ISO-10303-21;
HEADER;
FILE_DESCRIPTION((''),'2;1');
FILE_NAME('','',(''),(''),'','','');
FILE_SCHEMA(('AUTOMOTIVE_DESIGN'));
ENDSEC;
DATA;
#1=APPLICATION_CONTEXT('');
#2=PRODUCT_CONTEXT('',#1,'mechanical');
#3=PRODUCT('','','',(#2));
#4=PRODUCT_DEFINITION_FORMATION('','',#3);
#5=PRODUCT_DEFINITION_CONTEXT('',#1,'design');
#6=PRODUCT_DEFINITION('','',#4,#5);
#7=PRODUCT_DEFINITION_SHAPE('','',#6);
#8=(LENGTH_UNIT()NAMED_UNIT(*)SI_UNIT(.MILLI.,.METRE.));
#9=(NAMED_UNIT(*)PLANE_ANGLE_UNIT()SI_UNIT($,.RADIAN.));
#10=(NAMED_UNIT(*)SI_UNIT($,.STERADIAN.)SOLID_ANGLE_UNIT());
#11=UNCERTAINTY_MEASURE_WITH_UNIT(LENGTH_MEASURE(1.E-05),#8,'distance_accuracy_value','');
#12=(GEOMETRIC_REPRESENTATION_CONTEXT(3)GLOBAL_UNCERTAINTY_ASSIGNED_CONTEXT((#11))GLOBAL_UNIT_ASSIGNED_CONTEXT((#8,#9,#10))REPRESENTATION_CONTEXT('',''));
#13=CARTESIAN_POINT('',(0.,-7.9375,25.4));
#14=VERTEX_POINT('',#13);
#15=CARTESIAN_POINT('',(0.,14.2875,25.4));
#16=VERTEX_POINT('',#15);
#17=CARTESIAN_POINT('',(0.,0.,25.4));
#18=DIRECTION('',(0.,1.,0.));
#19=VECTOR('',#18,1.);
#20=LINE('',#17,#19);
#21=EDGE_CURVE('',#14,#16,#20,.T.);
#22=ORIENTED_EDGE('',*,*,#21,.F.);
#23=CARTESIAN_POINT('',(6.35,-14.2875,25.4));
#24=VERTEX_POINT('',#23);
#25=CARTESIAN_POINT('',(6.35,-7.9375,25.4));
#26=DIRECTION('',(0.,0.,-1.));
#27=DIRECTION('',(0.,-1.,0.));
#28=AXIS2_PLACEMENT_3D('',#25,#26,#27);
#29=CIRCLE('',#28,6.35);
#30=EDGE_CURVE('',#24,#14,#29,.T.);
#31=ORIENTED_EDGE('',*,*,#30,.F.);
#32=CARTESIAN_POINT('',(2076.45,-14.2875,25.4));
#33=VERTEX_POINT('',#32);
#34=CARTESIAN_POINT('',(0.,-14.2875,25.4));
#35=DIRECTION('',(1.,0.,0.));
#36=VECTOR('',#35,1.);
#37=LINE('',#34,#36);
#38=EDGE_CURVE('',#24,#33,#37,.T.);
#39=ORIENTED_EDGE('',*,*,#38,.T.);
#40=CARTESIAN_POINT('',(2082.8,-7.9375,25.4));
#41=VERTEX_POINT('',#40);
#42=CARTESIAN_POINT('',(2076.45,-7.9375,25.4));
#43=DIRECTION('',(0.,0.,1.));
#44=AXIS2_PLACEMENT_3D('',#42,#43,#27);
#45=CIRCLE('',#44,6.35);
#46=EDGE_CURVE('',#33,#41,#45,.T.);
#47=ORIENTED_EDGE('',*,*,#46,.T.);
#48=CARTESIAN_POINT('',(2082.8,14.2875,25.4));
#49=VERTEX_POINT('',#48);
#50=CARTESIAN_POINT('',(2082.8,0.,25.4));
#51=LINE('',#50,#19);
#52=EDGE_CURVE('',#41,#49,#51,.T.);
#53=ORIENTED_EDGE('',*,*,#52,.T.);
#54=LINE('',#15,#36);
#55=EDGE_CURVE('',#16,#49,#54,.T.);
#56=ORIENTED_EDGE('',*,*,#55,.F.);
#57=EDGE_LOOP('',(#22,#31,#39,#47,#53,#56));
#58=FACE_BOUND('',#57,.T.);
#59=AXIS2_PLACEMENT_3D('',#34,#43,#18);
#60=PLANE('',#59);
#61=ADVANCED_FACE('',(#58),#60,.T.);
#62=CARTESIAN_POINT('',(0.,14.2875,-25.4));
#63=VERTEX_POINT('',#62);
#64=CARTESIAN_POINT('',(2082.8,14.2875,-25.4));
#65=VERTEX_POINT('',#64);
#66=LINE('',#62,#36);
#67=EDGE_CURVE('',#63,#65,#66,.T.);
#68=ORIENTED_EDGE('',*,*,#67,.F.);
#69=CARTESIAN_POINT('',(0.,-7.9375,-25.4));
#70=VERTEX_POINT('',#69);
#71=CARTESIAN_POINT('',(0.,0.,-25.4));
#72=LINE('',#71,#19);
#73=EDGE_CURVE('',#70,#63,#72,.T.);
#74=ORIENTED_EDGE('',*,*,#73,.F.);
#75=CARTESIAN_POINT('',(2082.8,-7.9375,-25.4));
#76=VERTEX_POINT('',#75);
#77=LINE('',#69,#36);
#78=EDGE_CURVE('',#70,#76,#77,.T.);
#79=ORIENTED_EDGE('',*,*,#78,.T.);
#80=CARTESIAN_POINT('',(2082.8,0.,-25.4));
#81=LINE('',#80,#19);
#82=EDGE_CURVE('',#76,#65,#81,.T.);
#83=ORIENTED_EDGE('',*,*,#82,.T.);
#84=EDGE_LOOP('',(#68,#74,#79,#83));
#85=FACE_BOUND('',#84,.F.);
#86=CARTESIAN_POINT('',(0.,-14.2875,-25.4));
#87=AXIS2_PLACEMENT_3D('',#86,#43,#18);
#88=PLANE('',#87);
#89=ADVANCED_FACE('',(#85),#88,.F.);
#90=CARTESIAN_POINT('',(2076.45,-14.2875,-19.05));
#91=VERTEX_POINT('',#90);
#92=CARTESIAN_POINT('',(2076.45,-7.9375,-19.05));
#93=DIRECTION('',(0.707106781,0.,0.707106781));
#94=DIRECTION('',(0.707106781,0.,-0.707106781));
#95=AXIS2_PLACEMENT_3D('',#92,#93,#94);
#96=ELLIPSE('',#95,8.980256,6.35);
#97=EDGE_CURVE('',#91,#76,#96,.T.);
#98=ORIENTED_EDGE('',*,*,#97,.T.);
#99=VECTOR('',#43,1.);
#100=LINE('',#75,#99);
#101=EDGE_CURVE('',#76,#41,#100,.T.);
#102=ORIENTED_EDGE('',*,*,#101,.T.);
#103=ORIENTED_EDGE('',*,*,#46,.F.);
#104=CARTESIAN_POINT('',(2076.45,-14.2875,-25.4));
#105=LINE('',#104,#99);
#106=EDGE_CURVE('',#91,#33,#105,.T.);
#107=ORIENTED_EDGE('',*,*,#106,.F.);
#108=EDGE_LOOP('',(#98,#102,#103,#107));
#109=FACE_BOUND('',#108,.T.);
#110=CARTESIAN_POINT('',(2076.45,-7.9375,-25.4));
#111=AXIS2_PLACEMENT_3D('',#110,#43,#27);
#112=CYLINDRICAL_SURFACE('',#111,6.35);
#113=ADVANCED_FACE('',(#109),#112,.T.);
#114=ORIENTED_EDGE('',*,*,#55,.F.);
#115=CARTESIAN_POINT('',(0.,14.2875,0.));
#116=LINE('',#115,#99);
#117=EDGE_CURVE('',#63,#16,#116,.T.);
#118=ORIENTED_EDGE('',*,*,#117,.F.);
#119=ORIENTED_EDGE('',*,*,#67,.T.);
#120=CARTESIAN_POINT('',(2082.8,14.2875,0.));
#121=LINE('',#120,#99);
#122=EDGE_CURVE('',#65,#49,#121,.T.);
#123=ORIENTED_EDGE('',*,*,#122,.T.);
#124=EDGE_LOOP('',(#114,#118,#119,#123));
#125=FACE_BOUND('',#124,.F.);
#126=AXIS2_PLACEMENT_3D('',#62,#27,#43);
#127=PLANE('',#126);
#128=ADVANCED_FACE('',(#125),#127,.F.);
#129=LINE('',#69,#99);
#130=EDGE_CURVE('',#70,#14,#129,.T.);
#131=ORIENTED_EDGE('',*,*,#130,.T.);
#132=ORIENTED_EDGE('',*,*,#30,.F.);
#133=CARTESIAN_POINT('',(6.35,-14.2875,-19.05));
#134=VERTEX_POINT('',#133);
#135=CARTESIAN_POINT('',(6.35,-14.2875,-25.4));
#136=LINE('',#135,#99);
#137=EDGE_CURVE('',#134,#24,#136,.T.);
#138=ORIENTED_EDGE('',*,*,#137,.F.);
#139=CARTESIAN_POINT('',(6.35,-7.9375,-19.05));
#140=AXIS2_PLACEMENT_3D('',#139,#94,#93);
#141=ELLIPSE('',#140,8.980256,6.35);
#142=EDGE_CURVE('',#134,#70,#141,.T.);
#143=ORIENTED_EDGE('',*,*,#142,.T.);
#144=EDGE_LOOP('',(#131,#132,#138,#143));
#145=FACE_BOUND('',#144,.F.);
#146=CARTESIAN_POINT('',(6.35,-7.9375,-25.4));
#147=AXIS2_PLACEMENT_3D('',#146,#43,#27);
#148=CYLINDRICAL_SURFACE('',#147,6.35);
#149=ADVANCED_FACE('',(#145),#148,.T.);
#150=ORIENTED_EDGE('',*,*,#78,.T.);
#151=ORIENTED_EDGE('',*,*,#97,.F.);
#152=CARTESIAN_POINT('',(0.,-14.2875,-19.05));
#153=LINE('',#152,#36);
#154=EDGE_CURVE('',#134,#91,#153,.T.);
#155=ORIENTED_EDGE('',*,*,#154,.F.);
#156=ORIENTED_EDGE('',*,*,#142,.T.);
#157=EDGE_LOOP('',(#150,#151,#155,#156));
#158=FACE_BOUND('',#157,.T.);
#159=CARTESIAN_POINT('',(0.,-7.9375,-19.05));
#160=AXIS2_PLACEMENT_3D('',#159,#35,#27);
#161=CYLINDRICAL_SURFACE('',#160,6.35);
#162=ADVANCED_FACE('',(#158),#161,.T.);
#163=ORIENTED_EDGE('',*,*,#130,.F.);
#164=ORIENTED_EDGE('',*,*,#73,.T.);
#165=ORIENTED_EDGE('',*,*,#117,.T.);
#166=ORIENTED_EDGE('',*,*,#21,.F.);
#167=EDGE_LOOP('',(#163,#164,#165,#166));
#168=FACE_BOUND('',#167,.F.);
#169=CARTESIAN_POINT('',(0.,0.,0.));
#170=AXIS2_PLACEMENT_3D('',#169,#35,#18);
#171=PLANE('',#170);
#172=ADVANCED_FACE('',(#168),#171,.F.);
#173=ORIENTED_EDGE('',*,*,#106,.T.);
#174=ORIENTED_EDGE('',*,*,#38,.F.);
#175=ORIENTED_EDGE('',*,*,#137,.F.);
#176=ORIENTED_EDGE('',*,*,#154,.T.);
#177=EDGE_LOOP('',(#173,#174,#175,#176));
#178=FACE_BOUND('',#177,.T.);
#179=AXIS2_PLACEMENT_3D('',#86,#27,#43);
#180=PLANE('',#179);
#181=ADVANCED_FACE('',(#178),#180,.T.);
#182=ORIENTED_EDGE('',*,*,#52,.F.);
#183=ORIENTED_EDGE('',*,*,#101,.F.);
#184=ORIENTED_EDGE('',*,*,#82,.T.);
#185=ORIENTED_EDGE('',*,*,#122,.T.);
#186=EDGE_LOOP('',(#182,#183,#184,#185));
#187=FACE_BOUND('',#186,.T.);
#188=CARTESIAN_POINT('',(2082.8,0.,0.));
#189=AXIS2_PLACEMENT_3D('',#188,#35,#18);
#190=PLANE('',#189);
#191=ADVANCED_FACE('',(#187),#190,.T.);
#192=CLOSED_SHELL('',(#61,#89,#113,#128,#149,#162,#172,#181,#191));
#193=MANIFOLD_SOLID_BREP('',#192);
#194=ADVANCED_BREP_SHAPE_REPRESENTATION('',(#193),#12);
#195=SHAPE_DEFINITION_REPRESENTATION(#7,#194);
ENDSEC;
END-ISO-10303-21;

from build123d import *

# Parameters (mm, degrees)
F0_W     = 28.575
F0_H     = 50.8
F1_DEPTH = 2082.8
F2_R     = 6.35


with BuildPart() as f1:
    # F0 (on Right) → F1 (new body)
    with BuildSketch(Plane.YZ):
        Rectangle(F0_W, F0_H)
    extrude(amount=F1_DEPTH)

    # F2
    f2_edges = [f1.edges().sort_by_distance(p)[0] for p in [
        (0, -14.2875, 0),
        (1041.4, -14.2875, -25.4),
        (2082.8, -14.2875, 0),
    ]]
    fillet(f2_edges, radius=F2_R)


solid = f1.part
